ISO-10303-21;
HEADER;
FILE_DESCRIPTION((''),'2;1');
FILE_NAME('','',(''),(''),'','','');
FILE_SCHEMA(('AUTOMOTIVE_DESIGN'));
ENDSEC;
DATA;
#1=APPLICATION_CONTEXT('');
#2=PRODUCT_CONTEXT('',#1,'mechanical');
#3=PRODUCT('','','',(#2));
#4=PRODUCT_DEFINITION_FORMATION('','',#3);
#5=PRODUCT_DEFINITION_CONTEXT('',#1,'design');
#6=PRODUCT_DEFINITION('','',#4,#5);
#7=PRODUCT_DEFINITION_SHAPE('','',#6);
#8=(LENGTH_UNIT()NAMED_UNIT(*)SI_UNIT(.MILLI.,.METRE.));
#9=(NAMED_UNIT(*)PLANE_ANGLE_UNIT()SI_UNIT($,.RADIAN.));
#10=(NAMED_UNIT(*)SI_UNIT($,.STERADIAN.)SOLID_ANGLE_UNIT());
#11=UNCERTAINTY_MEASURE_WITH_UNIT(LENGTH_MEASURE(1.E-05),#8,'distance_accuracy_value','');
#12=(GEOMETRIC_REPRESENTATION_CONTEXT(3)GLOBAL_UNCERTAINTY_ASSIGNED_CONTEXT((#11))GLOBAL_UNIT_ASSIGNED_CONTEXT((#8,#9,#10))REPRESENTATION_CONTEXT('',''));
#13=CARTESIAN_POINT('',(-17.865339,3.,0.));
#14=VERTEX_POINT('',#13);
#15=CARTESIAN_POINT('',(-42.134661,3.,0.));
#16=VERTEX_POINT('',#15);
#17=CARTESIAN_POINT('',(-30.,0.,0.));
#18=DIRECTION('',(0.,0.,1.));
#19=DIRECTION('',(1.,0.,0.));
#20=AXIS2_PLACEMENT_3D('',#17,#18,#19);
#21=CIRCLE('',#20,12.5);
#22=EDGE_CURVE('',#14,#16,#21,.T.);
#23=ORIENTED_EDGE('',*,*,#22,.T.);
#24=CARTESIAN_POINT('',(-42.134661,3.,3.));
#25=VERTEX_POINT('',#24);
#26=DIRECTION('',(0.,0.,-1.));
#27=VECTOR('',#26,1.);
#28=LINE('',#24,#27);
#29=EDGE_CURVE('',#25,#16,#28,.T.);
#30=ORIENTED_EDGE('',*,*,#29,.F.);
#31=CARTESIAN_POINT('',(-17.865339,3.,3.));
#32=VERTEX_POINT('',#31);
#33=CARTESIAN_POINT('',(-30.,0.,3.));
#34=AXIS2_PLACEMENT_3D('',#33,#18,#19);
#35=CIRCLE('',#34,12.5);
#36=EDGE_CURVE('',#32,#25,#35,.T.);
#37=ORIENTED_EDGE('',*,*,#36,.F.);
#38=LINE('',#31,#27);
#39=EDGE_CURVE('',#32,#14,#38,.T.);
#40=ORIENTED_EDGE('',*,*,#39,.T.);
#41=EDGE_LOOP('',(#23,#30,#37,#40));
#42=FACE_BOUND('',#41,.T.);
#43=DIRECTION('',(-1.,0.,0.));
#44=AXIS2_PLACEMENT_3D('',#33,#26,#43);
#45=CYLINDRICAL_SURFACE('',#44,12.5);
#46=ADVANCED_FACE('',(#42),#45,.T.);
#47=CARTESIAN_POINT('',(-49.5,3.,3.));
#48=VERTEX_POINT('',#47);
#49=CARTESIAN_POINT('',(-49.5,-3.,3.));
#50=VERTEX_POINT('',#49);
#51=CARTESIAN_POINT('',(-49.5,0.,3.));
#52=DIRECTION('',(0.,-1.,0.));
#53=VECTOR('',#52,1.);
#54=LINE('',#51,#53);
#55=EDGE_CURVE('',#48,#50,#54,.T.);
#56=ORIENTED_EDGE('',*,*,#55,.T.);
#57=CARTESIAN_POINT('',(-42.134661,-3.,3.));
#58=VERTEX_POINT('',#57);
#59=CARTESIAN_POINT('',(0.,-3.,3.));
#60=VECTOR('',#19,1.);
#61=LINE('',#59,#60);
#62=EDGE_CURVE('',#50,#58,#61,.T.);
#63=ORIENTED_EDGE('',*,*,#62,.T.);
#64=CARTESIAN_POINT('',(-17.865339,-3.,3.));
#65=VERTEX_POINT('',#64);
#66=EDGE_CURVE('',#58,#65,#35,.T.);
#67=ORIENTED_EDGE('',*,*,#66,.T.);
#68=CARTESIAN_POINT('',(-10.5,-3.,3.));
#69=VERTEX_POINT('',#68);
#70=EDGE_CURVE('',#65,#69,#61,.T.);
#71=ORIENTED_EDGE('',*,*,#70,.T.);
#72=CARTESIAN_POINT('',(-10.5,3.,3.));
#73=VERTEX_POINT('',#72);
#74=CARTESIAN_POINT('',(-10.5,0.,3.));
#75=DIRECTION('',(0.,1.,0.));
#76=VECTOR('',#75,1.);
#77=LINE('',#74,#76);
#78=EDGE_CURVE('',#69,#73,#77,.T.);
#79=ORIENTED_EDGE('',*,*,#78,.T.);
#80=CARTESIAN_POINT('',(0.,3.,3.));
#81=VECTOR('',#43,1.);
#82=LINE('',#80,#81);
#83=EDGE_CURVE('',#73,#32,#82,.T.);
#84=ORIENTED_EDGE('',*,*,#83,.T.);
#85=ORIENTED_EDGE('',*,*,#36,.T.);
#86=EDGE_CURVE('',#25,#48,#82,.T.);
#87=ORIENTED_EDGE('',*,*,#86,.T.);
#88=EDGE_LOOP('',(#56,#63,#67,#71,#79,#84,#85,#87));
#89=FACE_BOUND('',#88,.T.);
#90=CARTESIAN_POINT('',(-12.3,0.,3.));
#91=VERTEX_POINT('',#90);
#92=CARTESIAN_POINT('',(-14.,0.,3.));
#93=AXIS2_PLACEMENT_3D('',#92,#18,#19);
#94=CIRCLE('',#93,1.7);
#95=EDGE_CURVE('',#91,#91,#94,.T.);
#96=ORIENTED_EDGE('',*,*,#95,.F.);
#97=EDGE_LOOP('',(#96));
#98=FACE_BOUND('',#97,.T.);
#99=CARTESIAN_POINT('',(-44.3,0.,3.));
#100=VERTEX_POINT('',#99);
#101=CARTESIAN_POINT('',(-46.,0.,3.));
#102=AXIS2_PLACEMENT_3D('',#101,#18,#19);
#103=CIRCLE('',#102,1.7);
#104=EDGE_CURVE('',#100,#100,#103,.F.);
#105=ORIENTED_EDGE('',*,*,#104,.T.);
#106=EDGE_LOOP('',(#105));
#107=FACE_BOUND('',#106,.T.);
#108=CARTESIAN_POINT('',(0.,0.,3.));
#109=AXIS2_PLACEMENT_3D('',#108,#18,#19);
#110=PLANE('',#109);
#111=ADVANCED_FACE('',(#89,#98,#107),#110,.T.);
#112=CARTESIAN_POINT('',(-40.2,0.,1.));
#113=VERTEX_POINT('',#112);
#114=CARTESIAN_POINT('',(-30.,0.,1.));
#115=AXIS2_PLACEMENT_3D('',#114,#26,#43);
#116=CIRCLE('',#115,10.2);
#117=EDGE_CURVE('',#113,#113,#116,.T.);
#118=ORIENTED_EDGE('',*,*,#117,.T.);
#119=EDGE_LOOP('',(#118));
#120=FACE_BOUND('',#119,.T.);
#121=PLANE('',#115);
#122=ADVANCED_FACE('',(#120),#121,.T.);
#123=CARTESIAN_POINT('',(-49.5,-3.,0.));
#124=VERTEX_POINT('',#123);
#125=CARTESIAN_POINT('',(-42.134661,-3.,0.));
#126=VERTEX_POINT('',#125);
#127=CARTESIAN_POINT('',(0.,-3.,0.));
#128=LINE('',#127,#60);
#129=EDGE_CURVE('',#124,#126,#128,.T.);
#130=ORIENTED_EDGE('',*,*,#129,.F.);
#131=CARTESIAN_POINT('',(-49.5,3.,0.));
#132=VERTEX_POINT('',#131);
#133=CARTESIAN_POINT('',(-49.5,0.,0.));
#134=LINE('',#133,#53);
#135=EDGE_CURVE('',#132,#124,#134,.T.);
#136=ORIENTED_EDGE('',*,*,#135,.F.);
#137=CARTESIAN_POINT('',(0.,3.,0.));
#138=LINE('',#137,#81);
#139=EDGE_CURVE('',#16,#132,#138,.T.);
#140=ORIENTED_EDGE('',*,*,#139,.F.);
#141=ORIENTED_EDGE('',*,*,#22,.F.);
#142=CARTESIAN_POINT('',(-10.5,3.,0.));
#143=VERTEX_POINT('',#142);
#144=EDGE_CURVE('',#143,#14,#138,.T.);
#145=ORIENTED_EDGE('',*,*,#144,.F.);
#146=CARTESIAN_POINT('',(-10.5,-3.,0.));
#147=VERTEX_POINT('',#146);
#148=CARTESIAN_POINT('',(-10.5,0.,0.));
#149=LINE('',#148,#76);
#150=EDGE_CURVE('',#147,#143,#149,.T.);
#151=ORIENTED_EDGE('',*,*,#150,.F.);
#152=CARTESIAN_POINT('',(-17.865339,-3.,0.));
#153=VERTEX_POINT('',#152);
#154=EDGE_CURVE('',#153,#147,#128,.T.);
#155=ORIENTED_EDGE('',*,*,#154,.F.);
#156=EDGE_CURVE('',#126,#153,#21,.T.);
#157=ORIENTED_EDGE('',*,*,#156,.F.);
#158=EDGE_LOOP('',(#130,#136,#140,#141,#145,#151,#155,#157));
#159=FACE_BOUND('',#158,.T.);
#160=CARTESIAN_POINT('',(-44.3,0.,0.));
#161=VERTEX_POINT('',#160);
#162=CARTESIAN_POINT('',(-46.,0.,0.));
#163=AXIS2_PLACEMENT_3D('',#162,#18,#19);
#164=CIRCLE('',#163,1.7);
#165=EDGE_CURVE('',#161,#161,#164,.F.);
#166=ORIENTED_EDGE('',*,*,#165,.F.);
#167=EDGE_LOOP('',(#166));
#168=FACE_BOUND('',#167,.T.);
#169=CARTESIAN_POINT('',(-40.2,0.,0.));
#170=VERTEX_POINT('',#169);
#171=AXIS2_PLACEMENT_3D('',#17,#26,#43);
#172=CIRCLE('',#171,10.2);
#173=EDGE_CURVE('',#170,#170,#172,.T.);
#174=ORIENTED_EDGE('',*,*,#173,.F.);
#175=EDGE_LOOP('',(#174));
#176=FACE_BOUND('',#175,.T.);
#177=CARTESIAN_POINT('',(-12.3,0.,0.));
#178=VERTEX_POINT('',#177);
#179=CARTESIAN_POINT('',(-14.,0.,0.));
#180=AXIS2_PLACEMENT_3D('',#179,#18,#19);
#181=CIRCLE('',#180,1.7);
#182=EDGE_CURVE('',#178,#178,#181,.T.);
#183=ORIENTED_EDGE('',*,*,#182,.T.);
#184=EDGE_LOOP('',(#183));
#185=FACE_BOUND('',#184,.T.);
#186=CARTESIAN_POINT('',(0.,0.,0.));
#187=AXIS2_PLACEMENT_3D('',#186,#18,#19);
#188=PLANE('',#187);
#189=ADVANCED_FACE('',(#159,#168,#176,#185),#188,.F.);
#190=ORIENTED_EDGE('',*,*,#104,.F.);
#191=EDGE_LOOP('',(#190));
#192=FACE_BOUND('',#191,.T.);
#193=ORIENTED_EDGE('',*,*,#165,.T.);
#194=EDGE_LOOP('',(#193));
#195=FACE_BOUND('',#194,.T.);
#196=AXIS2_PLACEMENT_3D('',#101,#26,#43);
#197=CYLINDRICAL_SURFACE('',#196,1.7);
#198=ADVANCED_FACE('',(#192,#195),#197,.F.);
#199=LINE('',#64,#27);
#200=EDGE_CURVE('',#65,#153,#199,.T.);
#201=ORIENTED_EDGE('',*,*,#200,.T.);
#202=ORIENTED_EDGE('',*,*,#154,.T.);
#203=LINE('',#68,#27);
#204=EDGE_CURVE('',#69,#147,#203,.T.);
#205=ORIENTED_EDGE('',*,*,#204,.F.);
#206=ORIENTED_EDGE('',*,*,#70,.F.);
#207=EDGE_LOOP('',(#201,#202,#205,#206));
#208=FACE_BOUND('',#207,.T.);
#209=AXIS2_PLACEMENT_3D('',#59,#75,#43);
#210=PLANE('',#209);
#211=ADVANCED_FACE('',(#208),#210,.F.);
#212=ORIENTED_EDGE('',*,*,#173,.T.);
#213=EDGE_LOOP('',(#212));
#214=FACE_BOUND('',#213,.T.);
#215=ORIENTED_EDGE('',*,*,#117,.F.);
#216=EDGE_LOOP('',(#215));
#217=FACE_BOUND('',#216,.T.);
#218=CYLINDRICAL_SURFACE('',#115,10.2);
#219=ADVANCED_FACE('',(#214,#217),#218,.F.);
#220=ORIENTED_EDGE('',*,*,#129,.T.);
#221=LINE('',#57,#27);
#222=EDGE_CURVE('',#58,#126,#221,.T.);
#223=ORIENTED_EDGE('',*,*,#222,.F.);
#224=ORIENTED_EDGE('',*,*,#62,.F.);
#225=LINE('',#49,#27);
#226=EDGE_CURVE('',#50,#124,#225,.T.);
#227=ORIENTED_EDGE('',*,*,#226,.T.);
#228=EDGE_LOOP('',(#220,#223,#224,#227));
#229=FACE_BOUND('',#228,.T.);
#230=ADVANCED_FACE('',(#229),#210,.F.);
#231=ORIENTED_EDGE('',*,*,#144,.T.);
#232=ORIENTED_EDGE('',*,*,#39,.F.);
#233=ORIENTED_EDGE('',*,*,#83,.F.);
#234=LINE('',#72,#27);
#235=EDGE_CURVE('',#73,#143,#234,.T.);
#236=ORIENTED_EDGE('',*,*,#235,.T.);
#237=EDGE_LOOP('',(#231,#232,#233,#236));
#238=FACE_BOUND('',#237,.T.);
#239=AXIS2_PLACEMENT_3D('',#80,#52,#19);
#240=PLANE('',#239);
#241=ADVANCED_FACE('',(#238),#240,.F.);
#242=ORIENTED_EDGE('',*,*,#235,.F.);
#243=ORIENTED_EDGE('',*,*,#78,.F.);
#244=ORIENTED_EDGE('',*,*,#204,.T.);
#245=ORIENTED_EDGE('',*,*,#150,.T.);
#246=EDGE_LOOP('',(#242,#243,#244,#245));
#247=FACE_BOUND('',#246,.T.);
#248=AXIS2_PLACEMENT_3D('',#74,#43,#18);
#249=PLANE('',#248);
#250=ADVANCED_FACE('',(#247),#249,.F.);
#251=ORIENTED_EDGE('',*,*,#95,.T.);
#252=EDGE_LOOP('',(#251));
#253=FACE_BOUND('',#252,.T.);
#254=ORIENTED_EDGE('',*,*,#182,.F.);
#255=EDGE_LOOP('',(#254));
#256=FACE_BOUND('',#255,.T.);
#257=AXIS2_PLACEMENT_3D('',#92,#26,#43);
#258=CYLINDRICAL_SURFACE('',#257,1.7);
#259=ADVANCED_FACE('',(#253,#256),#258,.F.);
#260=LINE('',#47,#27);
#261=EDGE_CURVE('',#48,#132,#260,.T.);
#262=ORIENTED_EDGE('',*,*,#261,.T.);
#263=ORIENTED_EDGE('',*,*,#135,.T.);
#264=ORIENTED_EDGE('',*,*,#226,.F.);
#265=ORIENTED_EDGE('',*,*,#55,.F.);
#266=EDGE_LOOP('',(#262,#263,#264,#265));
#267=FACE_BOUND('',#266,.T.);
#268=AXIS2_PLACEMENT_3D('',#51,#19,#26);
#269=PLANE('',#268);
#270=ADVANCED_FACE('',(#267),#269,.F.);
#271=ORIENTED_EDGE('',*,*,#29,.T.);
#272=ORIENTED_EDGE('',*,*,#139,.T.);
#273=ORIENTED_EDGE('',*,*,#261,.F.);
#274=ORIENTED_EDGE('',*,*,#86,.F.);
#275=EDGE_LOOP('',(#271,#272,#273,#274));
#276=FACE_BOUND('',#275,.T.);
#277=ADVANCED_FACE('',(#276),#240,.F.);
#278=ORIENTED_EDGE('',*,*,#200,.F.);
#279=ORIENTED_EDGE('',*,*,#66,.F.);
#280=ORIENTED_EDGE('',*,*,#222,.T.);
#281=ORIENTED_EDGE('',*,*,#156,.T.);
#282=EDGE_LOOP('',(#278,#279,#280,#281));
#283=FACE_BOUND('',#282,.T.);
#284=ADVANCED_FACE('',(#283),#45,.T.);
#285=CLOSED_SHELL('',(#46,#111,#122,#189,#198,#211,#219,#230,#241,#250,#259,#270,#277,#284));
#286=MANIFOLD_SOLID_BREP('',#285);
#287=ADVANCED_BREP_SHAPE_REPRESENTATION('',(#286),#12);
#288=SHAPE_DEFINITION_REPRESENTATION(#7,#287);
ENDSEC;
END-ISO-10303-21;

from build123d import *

# Parameters (mm, degrees)
SKETCH2_R           = 1.7
BOSS_EXTRUDE1_DEPTH = 3
SKETCH3_R           = 10.2
CUT_EXTRUDE1_DEPTH  = 1


with BuildPart() as part:
    # Sketch2 → Boss-Extrude1 (new body)
    # profile 1 of 7: a face of its own
    with BuildSketch(Plane.XY):
        with BuildLine():
            ThreePointArc((-17.5, 0), (-17.591670867, -1.511081774), (-17.8653389, -3))
            Line((-17.8653389, -3), (-10.5, -3))
            Line((-10.5, -3), (-10.5, 3))
            Line((-10.5, 3), (-17.8653389, 3))
            ThreePointArc((-17.8653389, 3), (-17.591670867, 1.511081774), (-17.5, 0))
        make_face()
        with Locations((-14, 0)):
            Circle(SKETCH2_R, mode=Mode.SUBTRACT)
    # profile 2 of 7: a face of its own
    with BuildSketch(Plane.XY):
        with BuildLine():
            ThreePointArc((-19.8, 0), (-20.868461247, -4.544777222), (-23.85, -8.137413594))
            Line((-23.85, -8.137413594), (-23.85, -10.882439984))
            ThreePointArc((-23.85, -10.882439984), (-20.044327099, -7.558741767), (-17.8653389, -3))
            ThreePointArc((-17.8653389, -3), (-17.591670867, -1.511081774), (-17.5, 0))
            ThreePointArc((-17.5, 0), (-17.591670867, 1.511081774), (-17.8653389, 3))
            ThreePointArc((-17.8653389, 3), (-20.044327099, 7.558741767), (-23.85, 10.882439984))
            Line((-23.85, 10.882439984), (-23.85, 8.137413594))
            ThreePointArc((-23.85, 8.137413594), (-20.868461247, 4.544777222), (-19.8, 0))
        make_face()
    # profile 3 of 7: a face of its own
    with BuildSketch(Plane.XY):
        with BuildLine():
            Line((-23.85, -10.882439984), (-23.85, -8.137413594))
            ThreePointArc((-23.85, -8.137413594), (-30, -10.2), (-36.15, -8.137413594))
            Line((-36.15, -8.137413594), (-36.15, -10.882439984))
            ThreePointArc((-36.15, -10.882439984), (-30, -12.5), (-23.85, -10.882439984))
        make_face()
    # profile 4 of 7: a face of its own
    with BuildSketch(Plane.XY):
        with BuildLine():
            Line((-36.15, -10.882439984), (-36.15, -8.137413594))
            ThreePointArc((-36.15, -8.137413594), (-40.2, 0), (-36.15, 8.137413594))
            Line((-36.15, 8.137413594), (-36.15, 10.882439984))
            ThreePointArc((-36.15, 10.882439984), (-39.955672901, 7.558741767), (-42.1346611, 3))
            ThreePointArc((-42.1346611, 3), (-42.5, 0), (-42.1346611, -3))
            ThreePointArc((-42.1346611, -3), (-39.955672901, -7.558741767), (-36.15, -10.882439984))
        make_face()
    # profile 5 of 7: a face of its own
    with BuildSketch(Plane.XY):
        with BuildLine():
            ThreePointArc((-36.15, -8.137413594), (-30, -10.2), (-23.85, -8.137413594))
            ThreePointArc((-23.85, -8.137413594), (-20.868461247, -4.544777222), (-19.8, 0))
            ThreePointArc((-19.8, 0), (-20.868461247, 4.544777222), (-23.85, 8.137413594))
            ThreePointArc((-23.85, 8.137413594), (-30, 10.2), (-36.15, 8.137413594))
            ThreePointArc((-36.15, 8.137413594), (-40.2, 0), (-36.15, -8.137413594))
        make_face()
    # profile 6 of 7: a face of its own
    with BuildSketch(Plane.XY):
        with BuildLine():
            Line((-36.15, 10.882439984), (-36.15, 8.137413594))
            ThreePointArc((-36.15, 8.137413594), (-30, 10.2), (-23.85, 8.137413594))
            Line((-23.85, 8.137413594), (-23.85, 10.882439984))
            ThreePointArc((-23.85, 10.882439984), (-30, 12.5), (-36.15, 10.882439984))
        make_face()
    # profile 7 of 7: a face of its own
    with BuildSketch(Plane.XY):
        with BuildLine():
            Line((-49.5, -3), (-42.1346611, -3))
            ThreePointArc((-42.1346611, -3), (-42.5, 0), (-42.1346611, 3))
            Line((-42.1346611, 3), (-49.5, 3))
            Line((-49.5, 3), (-49.5, -3))
        make_face()
        with Locations((-46, 0)):
            Circle(SKETCH2_R, mode=Mode.SUBTRACT)
    extrude(amount=BOSS_EXTRUDE1_DEPTH)

    # Sketch3 → Cut-Extrude1 (cut)
    with BuildSketch(Plane(origin=(0, 0, 0), x_dir=(-1, 0, 0), z_dir=(0, 0, -1))):
        with Locations((30, 0)):
            Circle(SKETCH3_R)
    extrude(amount=-CUT_EXTRUDE1_DEPTH, mode=Mode.SUBTRACT)


solid = part.part
